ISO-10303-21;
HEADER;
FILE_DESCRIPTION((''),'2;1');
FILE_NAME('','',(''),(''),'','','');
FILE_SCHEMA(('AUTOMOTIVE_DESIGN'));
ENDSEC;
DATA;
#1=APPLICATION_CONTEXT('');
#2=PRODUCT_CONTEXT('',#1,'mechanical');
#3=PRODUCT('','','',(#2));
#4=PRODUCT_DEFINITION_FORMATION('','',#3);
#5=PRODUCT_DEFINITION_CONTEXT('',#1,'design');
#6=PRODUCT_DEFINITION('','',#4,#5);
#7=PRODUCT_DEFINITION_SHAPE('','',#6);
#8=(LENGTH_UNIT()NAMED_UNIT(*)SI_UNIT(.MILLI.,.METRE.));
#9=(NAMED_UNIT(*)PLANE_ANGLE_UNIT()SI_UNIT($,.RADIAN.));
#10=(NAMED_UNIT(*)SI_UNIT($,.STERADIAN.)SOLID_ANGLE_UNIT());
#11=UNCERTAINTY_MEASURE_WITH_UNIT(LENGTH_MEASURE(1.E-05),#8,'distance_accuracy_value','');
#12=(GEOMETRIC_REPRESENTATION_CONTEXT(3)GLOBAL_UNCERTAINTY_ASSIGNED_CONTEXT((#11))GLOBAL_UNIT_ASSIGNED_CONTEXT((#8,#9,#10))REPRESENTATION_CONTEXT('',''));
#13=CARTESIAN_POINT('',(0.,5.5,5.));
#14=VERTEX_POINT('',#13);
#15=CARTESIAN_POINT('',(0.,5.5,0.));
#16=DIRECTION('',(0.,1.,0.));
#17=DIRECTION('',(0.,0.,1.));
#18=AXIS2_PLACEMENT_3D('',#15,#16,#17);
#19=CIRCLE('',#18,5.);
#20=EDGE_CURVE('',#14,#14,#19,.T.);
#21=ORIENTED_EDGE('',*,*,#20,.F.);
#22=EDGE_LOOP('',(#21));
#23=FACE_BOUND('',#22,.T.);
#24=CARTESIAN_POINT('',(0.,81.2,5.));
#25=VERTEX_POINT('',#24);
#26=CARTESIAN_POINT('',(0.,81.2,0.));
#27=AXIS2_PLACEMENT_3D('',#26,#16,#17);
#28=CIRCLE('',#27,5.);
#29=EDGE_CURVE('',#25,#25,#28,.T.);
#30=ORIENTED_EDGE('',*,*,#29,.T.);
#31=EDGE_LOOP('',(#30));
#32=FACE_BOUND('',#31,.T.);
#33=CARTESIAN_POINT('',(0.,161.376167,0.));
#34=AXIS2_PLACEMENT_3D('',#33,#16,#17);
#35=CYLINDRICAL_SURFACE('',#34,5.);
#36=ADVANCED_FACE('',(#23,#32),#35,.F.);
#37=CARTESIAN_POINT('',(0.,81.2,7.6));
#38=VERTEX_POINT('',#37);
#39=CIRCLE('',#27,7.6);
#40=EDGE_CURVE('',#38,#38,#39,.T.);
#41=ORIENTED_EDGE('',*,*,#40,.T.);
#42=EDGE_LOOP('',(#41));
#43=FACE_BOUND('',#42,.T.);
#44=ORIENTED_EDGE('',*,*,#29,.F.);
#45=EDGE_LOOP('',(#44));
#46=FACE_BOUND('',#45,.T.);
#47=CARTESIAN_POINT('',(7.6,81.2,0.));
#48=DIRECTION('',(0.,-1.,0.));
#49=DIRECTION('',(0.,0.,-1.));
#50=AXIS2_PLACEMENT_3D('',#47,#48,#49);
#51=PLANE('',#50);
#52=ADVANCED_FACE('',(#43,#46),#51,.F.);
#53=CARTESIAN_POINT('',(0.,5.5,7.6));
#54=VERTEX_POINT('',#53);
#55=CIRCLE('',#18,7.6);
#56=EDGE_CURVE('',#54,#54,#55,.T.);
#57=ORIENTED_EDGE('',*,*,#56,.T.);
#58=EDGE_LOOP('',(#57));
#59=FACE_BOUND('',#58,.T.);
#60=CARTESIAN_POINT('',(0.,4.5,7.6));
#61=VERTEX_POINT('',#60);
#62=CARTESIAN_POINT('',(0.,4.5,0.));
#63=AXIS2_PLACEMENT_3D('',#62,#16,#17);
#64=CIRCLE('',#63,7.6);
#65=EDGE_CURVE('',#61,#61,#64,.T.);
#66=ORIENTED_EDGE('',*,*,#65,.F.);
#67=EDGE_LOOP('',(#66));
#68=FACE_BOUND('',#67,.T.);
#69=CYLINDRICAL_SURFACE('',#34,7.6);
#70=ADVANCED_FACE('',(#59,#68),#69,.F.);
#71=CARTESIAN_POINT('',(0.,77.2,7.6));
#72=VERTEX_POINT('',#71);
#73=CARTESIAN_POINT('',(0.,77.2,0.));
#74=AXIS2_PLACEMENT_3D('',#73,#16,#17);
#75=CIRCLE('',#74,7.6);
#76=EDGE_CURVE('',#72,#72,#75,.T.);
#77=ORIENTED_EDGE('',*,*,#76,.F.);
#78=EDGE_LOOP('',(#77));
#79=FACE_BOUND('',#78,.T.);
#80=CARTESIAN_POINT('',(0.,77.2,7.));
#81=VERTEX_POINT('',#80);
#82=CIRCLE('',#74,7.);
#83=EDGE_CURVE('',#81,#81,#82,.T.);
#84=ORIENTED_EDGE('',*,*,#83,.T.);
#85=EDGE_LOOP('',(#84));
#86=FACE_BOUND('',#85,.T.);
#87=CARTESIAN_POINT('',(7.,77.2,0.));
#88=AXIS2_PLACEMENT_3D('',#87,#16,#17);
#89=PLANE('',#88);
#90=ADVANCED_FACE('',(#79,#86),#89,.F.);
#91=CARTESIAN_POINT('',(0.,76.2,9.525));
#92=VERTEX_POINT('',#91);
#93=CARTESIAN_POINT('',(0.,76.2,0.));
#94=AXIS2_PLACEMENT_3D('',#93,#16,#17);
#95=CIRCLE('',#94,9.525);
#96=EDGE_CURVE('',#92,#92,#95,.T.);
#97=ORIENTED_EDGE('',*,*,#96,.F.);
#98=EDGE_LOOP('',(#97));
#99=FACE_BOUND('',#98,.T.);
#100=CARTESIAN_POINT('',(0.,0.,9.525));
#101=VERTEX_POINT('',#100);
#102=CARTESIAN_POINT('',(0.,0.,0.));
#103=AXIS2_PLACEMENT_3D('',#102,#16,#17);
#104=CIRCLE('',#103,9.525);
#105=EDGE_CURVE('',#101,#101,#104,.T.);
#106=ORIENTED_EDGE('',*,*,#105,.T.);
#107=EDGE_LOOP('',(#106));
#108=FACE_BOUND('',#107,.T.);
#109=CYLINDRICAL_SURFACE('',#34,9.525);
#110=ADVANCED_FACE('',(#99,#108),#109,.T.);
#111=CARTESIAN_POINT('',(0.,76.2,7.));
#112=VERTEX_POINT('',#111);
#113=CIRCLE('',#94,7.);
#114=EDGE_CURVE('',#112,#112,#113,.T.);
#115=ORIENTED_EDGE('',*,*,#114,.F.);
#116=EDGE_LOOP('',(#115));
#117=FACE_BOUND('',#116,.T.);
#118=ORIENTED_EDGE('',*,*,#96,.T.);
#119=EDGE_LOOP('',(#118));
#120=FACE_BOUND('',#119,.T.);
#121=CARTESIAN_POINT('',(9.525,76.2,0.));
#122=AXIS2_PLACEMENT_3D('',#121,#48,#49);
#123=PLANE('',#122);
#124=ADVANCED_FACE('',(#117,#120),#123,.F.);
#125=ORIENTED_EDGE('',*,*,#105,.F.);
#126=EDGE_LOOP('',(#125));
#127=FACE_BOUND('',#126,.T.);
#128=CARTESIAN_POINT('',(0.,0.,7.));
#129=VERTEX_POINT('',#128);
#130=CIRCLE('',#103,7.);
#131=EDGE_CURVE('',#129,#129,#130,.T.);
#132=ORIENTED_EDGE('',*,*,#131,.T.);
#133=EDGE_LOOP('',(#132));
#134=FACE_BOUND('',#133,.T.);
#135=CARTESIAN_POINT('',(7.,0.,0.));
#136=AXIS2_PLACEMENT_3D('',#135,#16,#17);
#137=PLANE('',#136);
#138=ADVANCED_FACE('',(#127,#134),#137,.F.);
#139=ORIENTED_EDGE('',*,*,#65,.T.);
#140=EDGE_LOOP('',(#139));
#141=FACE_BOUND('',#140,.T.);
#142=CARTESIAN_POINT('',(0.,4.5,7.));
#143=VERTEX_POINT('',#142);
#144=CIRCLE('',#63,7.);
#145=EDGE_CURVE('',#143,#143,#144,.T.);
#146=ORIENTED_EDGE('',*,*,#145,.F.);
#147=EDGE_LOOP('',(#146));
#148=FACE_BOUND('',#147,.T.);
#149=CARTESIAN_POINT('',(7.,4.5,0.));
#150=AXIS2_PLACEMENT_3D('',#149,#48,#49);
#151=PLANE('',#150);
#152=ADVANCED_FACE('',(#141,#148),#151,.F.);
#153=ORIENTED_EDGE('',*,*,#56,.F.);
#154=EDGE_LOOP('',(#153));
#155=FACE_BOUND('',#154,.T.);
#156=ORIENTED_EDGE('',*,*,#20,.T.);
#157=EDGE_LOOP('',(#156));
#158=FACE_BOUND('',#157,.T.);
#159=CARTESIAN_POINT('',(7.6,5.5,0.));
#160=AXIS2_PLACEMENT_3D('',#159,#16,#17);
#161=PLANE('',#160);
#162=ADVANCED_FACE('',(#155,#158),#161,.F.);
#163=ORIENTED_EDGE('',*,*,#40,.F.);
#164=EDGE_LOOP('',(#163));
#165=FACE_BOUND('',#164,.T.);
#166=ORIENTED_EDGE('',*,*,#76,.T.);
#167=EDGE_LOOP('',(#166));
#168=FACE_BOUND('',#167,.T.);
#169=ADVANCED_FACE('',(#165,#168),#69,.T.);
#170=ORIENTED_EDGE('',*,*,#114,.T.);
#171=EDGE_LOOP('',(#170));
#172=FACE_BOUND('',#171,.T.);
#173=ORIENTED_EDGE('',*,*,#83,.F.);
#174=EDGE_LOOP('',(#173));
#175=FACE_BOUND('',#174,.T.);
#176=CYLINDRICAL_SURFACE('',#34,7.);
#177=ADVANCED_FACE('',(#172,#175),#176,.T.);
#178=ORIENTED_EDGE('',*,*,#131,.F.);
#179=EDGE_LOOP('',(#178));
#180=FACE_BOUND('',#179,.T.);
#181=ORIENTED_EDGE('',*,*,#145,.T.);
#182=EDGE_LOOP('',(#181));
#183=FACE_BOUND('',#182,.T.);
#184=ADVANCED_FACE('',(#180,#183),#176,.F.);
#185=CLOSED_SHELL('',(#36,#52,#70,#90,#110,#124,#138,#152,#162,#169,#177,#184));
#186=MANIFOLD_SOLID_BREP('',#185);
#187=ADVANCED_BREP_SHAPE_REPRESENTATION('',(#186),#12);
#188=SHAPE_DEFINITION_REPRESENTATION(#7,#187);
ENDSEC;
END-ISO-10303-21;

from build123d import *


with BuildPart() as part:
    # 草图1 → 旋转1 (revolve)
    with BuildSketch(Plane.XY, mode=Mode.PRIVATE) as revolve_1_sk:
        Polygon((7, 0), (7, 4.5), (7.6, 4.5), (7.6, 5.5), (5, 5.5), (5, 81.2), (7.6, 81.2), (7.6, 77.2), (7, 77.2), (7, 76.2), (9.525, 76.2), (9.525, 0), align=None)
    revolve(revolve_1_sk.sketch.rotate(Axis((0, 161.376166943, 0), (0, -1, 0)), 90), axis=Axis((0, 161.376166943, 0), (0, -1, 0)))  # turned: the seam where the file's is


solid = part.part
